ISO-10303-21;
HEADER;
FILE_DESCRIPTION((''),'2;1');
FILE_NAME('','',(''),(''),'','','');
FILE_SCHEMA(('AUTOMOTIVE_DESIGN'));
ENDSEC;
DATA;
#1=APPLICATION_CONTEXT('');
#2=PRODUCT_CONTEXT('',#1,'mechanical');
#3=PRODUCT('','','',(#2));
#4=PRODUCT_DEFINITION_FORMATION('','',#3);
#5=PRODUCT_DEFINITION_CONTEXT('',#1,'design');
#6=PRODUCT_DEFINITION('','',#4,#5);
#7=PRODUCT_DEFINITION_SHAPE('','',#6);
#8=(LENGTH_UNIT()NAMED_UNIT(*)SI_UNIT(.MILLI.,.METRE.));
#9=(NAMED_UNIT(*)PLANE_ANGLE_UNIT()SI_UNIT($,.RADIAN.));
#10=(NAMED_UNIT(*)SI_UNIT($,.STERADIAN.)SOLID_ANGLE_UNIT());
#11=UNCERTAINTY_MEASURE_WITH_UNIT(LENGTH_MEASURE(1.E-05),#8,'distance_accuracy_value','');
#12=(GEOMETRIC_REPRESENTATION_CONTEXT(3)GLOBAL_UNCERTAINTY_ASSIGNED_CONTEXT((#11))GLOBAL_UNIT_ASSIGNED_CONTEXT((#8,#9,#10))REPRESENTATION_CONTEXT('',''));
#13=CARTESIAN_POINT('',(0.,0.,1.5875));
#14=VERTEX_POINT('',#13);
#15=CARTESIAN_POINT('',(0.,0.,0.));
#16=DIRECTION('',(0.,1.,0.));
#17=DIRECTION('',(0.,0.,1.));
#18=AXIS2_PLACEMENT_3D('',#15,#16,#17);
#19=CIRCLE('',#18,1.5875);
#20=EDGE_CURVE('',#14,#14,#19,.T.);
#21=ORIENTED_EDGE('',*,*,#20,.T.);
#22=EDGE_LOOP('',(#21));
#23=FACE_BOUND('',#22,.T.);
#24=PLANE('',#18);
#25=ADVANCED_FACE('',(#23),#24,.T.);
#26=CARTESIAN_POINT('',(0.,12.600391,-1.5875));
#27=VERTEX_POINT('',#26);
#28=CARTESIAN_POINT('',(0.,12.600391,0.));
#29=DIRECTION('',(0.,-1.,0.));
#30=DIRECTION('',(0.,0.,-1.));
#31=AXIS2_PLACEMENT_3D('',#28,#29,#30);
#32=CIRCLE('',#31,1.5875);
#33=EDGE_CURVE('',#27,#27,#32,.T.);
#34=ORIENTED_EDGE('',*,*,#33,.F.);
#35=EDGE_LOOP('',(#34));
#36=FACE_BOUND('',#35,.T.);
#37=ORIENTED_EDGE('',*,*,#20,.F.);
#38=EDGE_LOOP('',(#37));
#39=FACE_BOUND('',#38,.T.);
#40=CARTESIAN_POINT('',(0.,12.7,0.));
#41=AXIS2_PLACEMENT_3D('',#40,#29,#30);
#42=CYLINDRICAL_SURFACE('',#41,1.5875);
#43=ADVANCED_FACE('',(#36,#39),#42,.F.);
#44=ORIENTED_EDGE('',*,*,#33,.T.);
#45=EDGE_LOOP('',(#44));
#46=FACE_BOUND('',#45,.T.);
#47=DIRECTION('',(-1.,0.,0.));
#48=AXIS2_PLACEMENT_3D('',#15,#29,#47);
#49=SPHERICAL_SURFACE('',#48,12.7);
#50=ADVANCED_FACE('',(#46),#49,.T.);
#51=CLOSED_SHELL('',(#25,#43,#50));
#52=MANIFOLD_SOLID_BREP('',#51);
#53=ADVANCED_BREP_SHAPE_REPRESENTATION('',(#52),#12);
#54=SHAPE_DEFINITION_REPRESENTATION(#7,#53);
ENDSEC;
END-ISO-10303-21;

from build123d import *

# Parameters (mm, degrees)
SKETCH3_R          = 1.5875
CUT_EXTRUDE1_DEPTH = 22.997045256


with BuildPart() as part:
    # Sketch2 → Revolve1 (revolve)
    with BuildSketch(Plane.XY):
        with BuildLine():
            Line((0, 12.7), (0, -12.7))
            ThreePointArc((0, -12.7), (12.7, 0), (0, 12.7))
        make_face()
    revolve(axis=Axis((0, 0, 0), (0, 1, 0)))

    # Sketch3 → Cut-Extrude1 (cut, through all)
    with BuildSketch(Plane(origin=(0, 0, 0), x_dir=(1, 0, 0), z_dir=(0, 1, 0))):
        with Locations(Location((0, 0, 0), (0, 0, 90))):
            Circle(SKETCH3_R)
    extrude(amount=CUT_EXTRUDE1_DEPTH, mode=Mode.SUBTRACT)


solid = part.part
